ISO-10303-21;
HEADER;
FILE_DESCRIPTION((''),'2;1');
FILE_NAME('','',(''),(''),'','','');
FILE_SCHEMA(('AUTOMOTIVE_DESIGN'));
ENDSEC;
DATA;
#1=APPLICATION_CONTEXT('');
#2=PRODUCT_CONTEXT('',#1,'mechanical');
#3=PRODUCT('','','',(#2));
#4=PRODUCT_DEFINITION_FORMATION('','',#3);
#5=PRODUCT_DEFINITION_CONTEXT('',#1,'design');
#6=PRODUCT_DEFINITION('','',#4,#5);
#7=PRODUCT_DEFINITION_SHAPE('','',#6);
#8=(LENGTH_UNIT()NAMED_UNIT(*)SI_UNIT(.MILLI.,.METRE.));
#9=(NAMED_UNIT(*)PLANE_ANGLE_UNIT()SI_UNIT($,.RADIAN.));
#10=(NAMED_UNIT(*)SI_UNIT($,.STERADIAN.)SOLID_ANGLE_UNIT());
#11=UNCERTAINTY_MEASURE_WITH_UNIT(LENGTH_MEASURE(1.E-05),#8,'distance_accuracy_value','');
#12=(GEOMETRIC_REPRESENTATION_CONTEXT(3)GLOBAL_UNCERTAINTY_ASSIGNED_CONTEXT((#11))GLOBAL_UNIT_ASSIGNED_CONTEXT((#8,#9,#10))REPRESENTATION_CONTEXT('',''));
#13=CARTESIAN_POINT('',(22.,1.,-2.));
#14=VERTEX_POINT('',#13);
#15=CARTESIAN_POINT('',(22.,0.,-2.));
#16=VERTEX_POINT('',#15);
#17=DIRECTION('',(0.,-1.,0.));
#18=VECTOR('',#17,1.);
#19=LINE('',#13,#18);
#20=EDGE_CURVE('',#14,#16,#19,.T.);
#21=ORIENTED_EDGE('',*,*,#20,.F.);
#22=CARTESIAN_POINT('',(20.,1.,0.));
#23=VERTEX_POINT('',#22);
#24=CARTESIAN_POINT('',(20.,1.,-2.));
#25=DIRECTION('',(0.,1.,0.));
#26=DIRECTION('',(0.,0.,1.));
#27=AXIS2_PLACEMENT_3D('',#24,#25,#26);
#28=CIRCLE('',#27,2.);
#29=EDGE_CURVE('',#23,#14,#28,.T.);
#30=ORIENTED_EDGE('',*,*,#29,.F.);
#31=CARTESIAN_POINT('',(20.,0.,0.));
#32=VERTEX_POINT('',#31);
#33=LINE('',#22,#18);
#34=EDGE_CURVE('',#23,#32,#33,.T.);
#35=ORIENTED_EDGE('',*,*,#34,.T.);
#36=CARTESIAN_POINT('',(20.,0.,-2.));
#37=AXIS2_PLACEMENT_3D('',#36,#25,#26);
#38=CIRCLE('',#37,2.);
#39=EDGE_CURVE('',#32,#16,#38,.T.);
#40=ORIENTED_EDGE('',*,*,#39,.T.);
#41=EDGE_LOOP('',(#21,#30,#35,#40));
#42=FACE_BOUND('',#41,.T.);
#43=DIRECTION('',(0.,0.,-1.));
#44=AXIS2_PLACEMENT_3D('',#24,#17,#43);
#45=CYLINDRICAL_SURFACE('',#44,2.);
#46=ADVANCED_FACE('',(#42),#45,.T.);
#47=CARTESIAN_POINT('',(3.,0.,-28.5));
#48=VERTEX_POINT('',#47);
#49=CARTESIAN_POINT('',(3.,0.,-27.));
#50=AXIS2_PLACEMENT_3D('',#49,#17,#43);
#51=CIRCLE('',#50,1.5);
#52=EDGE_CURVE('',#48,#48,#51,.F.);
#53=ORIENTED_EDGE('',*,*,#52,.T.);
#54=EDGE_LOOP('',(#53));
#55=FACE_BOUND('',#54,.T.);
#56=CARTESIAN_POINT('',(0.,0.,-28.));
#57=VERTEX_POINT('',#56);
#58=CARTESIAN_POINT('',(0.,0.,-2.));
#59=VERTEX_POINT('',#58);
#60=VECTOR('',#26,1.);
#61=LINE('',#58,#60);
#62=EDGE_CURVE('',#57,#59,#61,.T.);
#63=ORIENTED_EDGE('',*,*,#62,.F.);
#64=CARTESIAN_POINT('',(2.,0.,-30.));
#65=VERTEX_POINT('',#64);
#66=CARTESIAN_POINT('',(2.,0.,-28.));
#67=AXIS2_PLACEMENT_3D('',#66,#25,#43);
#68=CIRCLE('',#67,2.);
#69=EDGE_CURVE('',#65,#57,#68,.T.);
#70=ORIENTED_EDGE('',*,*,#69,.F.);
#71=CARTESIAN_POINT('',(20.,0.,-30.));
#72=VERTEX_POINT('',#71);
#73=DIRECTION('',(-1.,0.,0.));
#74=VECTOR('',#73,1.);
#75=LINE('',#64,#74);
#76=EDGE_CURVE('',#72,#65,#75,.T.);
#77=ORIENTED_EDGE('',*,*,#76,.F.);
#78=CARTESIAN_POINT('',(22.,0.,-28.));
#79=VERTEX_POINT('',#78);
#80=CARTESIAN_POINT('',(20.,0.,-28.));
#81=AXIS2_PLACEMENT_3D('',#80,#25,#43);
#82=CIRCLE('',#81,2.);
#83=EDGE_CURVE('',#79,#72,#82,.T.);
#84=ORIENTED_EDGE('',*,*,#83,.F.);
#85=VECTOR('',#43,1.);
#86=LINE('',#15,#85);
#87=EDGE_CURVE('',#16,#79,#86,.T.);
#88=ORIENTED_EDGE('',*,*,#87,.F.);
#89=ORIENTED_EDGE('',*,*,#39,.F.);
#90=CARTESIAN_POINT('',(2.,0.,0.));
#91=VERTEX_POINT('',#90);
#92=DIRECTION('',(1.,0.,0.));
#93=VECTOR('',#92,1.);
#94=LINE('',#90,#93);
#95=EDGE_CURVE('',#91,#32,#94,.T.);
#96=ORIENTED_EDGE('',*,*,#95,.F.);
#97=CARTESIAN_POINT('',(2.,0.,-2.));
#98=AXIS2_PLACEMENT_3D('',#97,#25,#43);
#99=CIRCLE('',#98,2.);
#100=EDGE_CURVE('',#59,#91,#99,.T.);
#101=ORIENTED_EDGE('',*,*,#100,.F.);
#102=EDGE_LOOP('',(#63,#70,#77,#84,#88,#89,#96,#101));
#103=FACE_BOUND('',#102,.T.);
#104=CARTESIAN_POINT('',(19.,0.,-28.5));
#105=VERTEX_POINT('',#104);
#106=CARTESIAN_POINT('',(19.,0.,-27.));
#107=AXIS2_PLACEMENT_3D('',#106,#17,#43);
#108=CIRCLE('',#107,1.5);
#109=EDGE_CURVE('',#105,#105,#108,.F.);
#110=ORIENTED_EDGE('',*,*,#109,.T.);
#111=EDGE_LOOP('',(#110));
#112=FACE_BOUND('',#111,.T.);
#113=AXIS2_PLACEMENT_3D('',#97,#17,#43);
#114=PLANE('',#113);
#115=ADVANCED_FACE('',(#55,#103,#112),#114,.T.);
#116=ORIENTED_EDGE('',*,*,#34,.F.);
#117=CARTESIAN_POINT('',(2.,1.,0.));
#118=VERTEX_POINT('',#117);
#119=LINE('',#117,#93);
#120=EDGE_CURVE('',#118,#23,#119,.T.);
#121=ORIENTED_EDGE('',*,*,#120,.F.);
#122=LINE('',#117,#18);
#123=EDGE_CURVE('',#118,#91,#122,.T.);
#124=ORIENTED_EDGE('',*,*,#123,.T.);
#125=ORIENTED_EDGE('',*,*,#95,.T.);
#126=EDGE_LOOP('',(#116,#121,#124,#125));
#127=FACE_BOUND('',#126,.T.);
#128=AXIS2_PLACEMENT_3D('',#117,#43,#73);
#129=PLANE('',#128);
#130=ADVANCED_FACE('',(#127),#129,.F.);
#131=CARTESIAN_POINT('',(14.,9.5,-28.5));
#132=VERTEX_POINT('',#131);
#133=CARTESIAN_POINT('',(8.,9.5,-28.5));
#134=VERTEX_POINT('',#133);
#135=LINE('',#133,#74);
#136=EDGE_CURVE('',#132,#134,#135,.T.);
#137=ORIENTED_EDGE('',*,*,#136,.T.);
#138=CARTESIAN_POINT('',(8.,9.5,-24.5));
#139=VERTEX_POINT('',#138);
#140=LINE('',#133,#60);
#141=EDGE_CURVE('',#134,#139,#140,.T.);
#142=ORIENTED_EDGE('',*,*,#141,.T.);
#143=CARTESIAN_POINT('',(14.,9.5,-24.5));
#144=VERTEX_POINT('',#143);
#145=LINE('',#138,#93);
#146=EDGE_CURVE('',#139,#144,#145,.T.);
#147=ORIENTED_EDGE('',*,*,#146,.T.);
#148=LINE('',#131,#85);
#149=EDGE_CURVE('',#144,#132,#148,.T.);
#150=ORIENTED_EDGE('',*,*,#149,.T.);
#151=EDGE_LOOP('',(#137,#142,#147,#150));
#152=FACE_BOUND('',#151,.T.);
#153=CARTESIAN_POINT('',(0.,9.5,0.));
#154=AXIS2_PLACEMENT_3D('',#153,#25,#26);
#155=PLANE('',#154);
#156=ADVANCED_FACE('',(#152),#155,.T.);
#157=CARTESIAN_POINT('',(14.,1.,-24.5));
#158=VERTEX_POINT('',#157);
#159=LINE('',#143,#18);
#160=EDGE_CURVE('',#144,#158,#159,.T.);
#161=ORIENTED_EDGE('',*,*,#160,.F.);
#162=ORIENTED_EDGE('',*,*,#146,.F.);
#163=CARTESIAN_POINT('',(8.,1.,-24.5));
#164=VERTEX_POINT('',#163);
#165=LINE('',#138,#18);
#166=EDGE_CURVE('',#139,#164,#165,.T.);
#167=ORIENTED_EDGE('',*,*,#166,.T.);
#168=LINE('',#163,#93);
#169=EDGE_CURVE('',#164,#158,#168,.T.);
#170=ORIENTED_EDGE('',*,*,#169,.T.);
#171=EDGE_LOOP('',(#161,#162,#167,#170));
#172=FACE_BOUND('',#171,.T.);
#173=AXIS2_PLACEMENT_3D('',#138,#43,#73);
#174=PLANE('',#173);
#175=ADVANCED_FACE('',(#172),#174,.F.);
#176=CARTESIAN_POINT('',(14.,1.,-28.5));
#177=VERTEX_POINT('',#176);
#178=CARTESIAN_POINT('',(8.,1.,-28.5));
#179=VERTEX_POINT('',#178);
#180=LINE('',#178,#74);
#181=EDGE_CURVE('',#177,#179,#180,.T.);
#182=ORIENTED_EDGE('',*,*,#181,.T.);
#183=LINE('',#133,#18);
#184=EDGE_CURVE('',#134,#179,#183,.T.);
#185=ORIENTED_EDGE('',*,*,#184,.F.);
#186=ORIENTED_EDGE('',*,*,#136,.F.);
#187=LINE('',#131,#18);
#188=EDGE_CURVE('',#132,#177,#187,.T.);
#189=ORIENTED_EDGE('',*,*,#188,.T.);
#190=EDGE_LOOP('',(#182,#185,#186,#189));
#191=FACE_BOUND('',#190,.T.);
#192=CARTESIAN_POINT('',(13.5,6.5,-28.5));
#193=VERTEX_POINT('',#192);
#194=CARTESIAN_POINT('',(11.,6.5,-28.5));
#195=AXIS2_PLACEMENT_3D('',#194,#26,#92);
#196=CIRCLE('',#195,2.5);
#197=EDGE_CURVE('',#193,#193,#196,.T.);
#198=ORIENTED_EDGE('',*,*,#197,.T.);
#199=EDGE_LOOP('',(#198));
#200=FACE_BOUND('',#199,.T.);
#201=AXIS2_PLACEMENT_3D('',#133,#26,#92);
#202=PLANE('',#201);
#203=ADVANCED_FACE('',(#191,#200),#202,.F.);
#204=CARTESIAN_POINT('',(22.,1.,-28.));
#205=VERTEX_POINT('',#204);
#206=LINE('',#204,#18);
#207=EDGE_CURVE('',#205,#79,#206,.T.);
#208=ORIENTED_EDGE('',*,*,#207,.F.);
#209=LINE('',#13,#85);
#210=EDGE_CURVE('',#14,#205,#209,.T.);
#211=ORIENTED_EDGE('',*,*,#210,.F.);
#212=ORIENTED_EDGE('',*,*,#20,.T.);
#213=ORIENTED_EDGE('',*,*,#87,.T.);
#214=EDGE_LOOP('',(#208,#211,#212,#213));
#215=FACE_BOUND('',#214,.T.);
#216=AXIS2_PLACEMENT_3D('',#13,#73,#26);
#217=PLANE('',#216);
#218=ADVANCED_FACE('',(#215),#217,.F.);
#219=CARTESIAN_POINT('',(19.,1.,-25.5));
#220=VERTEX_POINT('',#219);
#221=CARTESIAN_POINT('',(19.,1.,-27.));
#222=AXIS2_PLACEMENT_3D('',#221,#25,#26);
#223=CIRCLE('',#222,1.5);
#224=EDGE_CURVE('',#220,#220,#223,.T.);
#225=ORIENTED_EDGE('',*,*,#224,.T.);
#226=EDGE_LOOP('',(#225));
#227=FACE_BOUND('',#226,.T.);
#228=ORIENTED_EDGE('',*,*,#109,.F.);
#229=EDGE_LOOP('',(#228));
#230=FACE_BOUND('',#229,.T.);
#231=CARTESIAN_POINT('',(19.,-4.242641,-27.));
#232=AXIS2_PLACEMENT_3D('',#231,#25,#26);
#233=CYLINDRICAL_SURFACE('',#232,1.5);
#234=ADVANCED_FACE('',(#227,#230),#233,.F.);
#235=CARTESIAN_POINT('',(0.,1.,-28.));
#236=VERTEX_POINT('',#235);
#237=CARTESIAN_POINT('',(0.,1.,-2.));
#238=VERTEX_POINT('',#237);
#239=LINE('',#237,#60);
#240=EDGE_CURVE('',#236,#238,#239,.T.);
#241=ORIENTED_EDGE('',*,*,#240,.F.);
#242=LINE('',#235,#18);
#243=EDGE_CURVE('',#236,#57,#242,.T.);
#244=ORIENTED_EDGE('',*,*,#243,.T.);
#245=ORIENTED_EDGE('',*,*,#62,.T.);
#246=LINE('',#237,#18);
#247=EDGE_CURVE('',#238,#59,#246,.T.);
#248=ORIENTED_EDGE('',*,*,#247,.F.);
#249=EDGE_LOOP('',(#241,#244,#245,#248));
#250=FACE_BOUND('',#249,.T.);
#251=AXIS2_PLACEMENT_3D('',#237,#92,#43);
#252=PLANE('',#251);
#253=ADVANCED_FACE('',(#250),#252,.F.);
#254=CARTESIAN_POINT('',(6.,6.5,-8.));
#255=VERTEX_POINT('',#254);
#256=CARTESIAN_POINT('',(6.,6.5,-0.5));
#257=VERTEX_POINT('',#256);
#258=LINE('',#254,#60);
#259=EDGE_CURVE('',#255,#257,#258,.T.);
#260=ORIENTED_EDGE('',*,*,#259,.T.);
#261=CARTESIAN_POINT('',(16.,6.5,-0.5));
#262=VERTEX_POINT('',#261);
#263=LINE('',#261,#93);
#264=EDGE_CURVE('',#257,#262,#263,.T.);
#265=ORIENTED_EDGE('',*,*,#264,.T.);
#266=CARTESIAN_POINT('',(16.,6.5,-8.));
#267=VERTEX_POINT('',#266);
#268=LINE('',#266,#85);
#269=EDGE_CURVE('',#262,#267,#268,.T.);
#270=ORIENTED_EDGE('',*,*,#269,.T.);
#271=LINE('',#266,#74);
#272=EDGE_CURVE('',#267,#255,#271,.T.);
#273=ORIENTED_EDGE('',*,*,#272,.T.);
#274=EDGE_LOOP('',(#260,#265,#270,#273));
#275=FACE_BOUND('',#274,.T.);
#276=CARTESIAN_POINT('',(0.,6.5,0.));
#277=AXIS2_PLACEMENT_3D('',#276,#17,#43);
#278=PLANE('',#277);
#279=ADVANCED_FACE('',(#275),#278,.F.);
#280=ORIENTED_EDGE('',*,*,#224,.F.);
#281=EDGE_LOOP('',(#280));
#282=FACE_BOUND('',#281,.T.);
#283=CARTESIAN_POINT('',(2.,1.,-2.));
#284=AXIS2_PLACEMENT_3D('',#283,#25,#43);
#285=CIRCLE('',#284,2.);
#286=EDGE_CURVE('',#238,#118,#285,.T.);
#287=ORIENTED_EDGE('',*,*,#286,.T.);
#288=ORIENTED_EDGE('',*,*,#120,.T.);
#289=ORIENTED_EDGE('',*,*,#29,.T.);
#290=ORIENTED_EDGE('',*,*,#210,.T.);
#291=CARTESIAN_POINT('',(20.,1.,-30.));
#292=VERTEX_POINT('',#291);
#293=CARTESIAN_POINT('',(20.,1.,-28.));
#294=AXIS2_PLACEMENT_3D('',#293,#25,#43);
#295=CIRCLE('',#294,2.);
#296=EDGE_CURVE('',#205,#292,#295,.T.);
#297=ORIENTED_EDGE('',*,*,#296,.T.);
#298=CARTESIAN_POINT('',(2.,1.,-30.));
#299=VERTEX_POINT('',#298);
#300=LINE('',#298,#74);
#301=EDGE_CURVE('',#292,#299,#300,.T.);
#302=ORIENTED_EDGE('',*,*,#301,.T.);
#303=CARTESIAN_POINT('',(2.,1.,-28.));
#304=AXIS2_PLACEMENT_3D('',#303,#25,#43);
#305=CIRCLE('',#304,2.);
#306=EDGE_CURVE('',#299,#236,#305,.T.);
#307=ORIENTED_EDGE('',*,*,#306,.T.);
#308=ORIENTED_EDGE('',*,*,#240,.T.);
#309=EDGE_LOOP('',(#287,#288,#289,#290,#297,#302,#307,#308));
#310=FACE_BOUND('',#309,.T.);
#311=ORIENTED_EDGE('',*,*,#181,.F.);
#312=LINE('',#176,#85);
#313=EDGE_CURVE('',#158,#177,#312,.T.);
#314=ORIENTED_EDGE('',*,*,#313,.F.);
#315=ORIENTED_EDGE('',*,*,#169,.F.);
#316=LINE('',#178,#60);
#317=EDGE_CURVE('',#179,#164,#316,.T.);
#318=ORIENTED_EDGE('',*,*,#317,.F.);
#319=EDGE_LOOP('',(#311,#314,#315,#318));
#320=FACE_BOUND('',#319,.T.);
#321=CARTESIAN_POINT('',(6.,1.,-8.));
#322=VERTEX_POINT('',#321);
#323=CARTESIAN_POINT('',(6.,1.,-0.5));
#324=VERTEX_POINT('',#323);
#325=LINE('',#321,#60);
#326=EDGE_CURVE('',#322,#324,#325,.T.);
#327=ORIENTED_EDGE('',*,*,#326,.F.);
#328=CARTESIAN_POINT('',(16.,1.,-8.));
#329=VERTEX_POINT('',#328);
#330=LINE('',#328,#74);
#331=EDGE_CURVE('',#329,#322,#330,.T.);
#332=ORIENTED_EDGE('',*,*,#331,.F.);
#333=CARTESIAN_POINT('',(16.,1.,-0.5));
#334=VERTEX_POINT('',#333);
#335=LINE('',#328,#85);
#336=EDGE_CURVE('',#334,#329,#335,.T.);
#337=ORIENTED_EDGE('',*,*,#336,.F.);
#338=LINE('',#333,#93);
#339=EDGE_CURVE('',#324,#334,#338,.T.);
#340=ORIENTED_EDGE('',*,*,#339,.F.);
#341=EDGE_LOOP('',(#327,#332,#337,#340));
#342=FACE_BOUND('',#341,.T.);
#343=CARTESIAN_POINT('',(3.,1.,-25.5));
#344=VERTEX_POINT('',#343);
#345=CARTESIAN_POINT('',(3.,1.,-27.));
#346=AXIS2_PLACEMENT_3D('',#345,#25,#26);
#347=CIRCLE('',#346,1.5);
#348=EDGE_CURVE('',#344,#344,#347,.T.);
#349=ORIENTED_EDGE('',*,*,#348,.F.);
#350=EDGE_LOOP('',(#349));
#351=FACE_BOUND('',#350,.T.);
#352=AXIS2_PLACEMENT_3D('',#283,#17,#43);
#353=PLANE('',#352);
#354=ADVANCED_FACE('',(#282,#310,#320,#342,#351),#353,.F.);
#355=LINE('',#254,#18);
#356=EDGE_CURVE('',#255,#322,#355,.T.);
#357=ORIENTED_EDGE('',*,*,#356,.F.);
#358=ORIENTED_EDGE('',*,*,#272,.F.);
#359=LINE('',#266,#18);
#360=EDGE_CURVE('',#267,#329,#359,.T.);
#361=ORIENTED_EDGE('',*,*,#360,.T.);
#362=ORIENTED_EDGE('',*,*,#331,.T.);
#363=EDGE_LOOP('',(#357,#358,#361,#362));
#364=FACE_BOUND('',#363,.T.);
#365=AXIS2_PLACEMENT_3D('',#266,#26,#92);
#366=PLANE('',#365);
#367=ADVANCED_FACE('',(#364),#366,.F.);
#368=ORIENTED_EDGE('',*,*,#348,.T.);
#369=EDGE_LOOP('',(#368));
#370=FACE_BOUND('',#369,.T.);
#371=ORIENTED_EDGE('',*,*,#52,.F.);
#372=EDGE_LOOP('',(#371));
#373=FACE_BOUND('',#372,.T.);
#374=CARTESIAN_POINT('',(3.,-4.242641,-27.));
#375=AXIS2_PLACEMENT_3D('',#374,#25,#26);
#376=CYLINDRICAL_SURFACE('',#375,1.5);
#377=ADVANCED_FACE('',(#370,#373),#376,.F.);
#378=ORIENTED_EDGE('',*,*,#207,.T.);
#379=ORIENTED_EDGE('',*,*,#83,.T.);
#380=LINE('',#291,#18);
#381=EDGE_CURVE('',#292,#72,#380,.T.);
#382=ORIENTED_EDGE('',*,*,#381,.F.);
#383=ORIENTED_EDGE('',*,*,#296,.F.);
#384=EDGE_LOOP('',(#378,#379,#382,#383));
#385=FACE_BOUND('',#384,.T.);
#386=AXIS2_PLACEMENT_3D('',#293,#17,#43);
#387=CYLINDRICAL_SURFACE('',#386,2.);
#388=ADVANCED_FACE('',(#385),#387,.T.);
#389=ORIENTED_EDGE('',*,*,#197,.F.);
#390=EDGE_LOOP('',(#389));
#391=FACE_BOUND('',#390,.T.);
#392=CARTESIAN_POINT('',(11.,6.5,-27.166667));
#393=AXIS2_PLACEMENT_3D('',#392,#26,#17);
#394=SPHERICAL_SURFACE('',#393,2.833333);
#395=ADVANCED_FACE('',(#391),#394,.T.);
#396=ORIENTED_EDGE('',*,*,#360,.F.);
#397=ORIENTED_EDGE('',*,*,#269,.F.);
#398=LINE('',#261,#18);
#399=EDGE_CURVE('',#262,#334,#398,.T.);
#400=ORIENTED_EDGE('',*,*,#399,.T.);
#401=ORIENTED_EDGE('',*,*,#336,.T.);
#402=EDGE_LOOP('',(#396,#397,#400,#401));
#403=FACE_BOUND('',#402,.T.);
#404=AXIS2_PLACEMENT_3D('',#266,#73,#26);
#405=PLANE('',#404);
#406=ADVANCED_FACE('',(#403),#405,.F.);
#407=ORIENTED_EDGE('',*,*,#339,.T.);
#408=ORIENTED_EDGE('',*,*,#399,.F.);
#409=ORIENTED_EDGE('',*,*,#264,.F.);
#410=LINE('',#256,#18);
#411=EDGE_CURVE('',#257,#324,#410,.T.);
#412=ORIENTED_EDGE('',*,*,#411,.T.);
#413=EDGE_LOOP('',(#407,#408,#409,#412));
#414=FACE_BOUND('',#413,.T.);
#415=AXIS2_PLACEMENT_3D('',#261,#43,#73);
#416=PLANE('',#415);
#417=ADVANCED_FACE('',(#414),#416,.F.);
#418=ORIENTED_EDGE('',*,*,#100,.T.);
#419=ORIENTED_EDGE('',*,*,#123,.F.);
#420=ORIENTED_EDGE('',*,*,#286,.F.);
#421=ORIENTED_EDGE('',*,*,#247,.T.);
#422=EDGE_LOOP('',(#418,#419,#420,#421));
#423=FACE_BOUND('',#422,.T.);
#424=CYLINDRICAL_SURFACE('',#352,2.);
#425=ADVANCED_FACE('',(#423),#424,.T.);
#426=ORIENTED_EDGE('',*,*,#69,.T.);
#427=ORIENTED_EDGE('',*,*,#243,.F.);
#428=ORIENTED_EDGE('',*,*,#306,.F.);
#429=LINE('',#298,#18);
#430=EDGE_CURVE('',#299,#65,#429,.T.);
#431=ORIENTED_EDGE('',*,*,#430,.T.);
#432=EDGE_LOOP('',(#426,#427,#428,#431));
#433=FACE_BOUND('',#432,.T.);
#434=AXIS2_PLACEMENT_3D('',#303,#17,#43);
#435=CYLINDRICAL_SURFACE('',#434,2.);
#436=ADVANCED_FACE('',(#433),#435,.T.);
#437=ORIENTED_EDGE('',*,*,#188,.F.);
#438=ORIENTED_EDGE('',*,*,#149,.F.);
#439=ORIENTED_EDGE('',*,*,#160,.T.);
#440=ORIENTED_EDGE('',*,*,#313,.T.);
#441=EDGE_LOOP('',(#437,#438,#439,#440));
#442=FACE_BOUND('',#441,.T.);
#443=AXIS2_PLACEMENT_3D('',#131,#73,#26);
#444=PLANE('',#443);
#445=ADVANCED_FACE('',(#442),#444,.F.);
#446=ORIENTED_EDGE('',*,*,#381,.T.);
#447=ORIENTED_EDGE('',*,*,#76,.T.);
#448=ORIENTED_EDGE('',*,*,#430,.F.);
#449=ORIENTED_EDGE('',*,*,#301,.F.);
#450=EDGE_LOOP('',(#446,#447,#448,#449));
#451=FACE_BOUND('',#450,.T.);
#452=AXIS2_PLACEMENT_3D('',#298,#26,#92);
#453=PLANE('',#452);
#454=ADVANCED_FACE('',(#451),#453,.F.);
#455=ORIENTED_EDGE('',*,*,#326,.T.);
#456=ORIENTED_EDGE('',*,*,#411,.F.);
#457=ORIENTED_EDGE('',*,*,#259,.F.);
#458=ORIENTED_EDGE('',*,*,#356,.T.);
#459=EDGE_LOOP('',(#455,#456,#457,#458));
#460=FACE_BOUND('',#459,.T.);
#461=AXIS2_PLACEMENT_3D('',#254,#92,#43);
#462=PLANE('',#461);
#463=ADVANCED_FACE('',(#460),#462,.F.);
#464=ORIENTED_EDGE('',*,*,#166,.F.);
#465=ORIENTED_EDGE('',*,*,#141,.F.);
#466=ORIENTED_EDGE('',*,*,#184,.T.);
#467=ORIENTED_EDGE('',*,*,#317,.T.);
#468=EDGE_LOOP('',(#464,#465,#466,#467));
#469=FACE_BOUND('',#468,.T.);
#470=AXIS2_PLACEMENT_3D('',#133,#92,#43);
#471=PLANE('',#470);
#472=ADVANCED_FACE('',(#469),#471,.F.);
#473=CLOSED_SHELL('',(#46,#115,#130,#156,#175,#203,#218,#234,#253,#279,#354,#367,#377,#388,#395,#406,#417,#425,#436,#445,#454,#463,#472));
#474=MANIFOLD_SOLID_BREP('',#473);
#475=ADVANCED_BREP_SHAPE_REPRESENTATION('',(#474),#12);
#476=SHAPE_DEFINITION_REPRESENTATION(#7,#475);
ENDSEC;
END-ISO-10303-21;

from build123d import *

# Parameters (mm, degrees)
BOSS_EXTRU_1_DEPTH      = 1
ESQUISSE3_R             = 1.5
ENL_V_MAT_EXTRU_1_DEPTH = 1
ESQUISSE4_W             = 6
ESQUISSE4_H             = 4
BOSS_EXTRU_2_DEPTH      = 8.5
ESQUISSE7_W             = 10
ESQUISSE7_H             = 7.5
BOSS_EXTRU_4_DEPTH      = 5.5


with BuildPart() as part:
    # Esquisse1 → Boss.-Extru.1 (new body)
    with BuildSketch(Plane(origin=(0, 0, 0), x_dir=(1, 0, 0), z_dir=(0, 1, 0))):
        with BuildLine():
            Line((2, 0), (20, 0))
            ThreePointArc((20, 0), (21.414213562, 0.585786438), (22, 2))
            Line((22, 2), (22, 28))
            ThreePointArc((22, 28), (21.414213562, 29.414213562), (20, 30))
            Line((20, 30), (2, 30))
            ThreePointArc((2, 30), (0.585786438, 29.414213562), (0, 28))
            Line((0, 28), (0, 2))
            ThreePointArc((0, 2), (0.585786438, 0.585786438), (2, 0))
        make_face()
    extrude(amount=BOSS_EXTRU_1_DEPTH)

    # Esquisse3 → Enlèv. mat.-Extru.1 (cut)
    with BuildSketch(Plane(origin=(0, 1, 0), x_dir=(1, 0, 0), z_dir=(0, 1, 0))):
        with Locations((3, 27)):
            Circle(ESQUISSE3_R)
        with Locations((19, 27)):
            Circle(ESQUISSE3_R)
    extrude(amount=-ENL_V_MAT_EXTRU_1_DEPTH, mode=Mode.SUBTRACT)

    # Esquisse4 → Boss.-Extru.2 (add)
    with BuildSketch(Plane(origin=(0, 1, 0), x_dir=(1, 0, 0), z_dir=(0, 1, 0))):
        with Locations((11, 26.5)):
            Rectangle(ESQUISSE4_W, ESQUISSE4_H)
    extrude(amount=BOSS_EXTRU_2_DEPTH)

    # Esquisse6 → Révolution1 (revolve)
    with BuildSketch(Plane(origin=(11, 0, 0), x_dir=(0, 0, -1), z_dir=(1, 0, 0))):
        with BuildLine():
            Line((28.5, 6.5), (30, 6.5))
            ThreePointArc((30, 6.5), (29.596229956, 5.042262026), (28.5, 4))
            Line((28.5, 4), (28.5, 6.5))
        make_face()
    revolve(axis=Axis((11, 6.5, -28.5), (0, 0, -1)))

    # Esquisse7 → Boss.-Extru.4 (add)
    with BuildSketch(Plane(origin=(0, 1, 0), x_dir=(1, 0, 0), z_dir=(0, 1, 0))):
        with Locations((11, 4.25)):
            Rectangle(ESQUISSE7_W, ESQUISSE7_H)
    extrude(amount=BOSS_EXTRU_4_DEPTH)


solid = part.part
